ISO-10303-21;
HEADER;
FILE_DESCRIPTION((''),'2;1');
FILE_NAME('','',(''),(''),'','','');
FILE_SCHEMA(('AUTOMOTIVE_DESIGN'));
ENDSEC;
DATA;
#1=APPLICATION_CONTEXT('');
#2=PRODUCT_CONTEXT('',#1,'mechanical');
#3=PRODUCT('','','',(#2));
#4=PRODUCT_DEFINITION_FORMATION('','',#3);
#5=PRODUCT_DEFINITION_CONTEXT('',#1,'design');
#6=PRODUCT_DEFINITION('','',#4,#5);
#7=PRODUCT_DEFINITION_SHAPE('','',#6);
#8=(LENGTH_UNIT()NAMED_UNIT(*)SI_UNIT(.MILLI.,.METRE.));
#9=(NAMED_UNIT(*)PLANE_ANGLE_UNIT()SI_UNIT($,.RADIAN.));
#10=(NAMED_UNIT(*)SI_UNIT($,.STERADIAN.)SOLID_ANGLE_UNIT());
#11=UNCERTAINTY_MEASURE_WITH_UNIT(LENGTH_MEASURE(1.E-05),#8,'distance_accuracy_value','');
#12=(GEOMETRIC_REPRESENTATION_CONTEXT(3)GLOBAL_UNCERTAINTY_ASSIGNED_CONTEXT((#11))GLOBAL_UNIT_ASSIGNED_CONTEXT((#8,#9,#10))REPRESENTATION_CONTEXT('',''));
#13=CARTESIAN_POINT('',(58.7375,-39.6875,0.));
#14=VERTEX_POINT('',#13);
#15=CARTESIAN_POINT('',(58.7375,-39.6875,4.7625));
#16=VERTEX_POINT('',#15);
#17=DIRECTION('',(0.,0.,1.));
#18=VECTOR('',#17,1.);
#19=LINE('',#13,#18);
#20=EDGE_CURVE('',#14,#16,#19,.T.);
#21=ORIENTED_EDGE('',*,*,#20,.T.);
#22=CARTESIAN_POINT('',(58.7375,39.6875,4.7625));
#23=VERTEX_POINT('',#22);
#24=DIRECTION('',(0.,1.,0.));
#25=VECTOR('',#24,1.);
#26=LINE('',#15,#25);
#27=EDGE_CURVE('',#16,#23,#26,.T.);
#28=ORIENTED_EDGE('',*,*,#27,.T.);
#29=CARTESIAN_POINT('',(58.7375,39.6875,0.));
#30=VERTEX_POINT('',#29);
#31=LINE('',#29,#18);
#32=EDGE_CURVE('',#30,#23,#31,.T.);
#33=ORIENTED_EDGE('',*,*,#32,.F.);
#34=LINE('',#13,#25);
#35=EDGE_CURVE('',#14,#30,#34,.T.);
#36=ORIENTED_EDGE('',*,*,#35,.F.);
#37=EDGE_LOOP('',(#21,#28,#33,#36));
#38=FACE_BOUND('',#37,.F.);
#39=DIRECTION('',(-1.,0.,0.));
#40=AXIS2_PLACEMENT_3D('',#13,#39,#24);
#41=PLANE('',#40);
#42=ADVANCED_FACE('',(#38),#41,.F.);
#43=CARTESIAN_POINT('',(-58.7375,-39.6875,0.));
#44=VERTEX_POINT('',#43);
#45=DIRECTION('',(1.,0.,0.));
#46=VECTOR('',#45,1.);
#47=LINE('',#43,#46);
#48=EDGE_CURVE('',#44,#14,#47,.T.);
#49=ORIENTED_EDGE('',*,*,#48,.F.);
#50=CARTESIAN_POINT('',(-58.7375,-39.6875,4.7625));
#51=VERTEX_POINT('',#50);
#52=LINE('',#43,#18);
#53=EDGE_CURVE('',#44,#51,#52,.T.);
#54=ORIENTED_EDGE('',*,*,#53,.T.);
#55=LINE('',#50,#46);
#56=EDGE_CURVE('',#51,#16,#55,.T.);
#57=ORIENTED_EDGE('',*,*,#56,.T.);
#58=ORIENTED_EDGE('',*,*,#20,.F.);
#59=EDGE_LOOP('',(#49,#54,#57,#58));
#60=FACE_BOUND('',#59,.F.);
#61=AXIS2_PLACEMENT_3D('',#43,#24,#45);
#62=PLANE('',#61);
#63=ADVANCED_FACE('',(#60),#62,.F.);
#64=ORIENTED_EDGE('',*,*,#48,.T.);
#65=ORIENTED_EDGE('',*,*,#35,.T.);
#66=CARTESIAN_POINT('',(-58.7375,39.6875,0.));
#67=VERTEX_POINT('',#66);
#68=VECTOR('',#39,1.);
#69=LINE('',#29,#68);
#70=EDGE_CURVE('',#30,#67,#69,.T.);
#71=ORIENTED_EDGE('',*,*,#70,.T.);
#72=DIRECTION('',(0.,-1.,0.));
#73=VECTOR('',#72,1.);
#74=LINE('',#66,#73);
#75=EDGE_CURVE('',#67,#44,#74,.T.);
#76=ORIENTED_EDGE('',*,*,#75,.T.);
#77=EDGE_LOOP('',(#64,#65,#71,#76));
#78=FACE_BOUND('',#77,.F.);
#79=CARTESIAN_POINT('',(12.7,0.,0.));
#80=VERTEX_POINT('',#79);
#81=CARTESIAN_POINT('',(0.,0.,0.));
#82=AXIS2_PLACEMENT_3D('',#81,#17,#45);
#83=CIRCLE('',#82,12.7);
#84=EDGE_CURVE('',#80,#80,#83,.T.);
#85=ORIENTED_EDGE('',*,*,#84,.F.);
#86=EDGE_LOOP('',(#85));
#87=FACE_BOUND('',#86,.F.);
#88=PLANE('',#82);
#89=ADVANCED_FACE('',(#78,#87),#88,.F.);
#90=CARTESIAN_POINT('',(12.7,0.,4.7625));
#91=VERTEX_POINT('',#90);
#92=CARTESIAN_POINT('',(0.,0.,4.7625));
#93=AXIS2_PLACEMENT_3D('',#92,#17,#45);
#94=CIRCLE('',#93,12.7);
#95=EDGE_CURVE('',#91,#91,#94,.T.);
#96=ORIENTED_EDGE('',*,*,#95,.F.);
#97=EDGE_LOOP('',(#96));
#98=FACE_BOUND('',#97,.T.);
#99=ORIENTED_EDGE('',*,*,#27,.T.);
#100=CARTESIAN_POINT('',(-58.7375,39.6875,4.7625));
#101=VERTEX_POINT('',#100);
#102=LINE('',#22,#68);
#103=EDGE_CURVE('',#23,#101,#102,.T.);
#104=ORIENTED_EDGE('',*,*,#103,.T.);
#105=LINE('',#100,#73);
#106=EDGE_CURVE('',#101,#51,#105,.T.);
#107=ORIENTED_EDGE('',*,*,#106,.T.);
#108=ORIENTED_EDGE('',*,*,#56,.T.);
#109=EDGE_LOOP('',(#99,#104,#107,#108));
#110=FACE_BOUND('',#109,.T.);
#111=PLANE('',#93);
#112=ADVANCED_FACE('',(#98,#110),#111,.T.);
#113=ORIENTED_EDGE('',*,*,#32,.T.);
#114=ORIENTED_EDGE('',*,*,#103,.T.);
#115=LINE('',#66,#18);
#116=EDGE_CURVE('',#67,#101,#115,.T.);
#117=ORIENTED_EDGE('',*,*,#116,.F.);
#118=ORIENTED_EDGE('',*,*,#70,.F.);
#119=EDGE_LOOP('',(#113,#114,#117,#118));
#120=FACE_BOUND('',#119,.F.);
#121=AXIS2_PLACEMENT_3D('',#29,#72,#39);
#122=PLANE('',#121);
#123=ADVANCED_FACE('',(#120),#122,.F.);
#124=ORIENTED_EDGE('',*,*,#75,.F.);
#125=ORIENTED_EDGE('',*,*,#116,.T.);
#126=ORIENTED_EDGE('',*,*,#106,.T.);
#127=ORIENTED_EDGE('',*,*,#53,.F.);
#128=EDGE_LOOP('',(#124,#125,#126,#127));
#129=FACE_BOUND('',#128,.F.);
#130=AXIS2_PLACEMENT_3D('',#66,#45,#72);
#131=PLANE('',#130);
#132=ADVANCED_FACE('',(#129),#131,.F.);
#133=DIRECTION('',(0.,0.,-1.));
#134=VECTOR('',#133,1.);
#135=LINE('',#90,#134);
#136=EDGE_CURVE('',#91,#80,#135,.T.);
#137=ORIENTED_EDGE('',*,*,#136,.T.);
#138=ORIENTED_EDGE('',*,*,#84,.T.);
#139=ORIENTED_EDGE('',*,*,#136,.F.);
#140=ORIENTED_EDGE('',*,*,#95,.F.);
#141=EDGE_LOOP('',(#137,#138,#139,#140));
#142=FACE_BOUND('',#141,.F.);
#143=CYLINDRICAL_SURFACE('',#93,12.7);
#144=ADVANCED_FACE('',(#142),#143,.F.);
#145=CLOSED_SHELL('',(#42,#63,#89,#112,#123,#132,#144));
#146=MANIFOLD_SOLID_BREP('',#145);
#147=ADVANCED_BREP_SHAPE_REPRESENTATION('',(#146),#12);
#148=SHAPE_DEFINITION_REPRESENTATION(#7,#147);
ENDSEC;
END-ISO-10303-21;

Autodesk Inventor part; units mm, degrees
ref_plane "YZ Plane" through (0, 0, 0) normal (1, 0, 0) x (0, 1, 0)
ref_plane "XZ Plane" through (0, 0, 0) normal (0, 1, 0) x (-1, 0, 0)
ref_plane "XY Plane" through (0, 0, 0) normal (0, 0, 1) x (1, 0, 0)
sketch "Sketch1" plane through (0, 0, 0) normal (0, 0, 1) x (1, 0, 0)
  line L0 (-58.7375, -39.6875) -> (58.7375, -39.6875)
  line L1 (58.7375, -39.6875) -> (58.7375, 39.6875)
  line L2 (58.7375, 39.6875) -> (-58.7375, 39.6875)
  line L3 (-58.7375, 39.6875) -> (-58.7375, -39.6875)
  line L4 (-58.7375, -39.6875) -> (58.7375, 39.6875) construction
  line L5 (58.7375, -39.6875) -> (-58.7375, 39.6875) construction
  point P0 (0, 0)
  dimension "d0" = 117.475
  dimension "d1" = 79.375
extrude "Extrusion1" add sketch "Sketch1" along normal blind 4.7625
sketch "Sketch2" plane through (0, 0, 4.7625) normal (0, 0, 1) x (1, 0, 0)
  circle A0 centre (0, 0) radius 12.7
  dimension "d4" = 25.4
extrude "Extrusion2" cut sketch "Sketch2" against normal through all
properties part number "Back"
